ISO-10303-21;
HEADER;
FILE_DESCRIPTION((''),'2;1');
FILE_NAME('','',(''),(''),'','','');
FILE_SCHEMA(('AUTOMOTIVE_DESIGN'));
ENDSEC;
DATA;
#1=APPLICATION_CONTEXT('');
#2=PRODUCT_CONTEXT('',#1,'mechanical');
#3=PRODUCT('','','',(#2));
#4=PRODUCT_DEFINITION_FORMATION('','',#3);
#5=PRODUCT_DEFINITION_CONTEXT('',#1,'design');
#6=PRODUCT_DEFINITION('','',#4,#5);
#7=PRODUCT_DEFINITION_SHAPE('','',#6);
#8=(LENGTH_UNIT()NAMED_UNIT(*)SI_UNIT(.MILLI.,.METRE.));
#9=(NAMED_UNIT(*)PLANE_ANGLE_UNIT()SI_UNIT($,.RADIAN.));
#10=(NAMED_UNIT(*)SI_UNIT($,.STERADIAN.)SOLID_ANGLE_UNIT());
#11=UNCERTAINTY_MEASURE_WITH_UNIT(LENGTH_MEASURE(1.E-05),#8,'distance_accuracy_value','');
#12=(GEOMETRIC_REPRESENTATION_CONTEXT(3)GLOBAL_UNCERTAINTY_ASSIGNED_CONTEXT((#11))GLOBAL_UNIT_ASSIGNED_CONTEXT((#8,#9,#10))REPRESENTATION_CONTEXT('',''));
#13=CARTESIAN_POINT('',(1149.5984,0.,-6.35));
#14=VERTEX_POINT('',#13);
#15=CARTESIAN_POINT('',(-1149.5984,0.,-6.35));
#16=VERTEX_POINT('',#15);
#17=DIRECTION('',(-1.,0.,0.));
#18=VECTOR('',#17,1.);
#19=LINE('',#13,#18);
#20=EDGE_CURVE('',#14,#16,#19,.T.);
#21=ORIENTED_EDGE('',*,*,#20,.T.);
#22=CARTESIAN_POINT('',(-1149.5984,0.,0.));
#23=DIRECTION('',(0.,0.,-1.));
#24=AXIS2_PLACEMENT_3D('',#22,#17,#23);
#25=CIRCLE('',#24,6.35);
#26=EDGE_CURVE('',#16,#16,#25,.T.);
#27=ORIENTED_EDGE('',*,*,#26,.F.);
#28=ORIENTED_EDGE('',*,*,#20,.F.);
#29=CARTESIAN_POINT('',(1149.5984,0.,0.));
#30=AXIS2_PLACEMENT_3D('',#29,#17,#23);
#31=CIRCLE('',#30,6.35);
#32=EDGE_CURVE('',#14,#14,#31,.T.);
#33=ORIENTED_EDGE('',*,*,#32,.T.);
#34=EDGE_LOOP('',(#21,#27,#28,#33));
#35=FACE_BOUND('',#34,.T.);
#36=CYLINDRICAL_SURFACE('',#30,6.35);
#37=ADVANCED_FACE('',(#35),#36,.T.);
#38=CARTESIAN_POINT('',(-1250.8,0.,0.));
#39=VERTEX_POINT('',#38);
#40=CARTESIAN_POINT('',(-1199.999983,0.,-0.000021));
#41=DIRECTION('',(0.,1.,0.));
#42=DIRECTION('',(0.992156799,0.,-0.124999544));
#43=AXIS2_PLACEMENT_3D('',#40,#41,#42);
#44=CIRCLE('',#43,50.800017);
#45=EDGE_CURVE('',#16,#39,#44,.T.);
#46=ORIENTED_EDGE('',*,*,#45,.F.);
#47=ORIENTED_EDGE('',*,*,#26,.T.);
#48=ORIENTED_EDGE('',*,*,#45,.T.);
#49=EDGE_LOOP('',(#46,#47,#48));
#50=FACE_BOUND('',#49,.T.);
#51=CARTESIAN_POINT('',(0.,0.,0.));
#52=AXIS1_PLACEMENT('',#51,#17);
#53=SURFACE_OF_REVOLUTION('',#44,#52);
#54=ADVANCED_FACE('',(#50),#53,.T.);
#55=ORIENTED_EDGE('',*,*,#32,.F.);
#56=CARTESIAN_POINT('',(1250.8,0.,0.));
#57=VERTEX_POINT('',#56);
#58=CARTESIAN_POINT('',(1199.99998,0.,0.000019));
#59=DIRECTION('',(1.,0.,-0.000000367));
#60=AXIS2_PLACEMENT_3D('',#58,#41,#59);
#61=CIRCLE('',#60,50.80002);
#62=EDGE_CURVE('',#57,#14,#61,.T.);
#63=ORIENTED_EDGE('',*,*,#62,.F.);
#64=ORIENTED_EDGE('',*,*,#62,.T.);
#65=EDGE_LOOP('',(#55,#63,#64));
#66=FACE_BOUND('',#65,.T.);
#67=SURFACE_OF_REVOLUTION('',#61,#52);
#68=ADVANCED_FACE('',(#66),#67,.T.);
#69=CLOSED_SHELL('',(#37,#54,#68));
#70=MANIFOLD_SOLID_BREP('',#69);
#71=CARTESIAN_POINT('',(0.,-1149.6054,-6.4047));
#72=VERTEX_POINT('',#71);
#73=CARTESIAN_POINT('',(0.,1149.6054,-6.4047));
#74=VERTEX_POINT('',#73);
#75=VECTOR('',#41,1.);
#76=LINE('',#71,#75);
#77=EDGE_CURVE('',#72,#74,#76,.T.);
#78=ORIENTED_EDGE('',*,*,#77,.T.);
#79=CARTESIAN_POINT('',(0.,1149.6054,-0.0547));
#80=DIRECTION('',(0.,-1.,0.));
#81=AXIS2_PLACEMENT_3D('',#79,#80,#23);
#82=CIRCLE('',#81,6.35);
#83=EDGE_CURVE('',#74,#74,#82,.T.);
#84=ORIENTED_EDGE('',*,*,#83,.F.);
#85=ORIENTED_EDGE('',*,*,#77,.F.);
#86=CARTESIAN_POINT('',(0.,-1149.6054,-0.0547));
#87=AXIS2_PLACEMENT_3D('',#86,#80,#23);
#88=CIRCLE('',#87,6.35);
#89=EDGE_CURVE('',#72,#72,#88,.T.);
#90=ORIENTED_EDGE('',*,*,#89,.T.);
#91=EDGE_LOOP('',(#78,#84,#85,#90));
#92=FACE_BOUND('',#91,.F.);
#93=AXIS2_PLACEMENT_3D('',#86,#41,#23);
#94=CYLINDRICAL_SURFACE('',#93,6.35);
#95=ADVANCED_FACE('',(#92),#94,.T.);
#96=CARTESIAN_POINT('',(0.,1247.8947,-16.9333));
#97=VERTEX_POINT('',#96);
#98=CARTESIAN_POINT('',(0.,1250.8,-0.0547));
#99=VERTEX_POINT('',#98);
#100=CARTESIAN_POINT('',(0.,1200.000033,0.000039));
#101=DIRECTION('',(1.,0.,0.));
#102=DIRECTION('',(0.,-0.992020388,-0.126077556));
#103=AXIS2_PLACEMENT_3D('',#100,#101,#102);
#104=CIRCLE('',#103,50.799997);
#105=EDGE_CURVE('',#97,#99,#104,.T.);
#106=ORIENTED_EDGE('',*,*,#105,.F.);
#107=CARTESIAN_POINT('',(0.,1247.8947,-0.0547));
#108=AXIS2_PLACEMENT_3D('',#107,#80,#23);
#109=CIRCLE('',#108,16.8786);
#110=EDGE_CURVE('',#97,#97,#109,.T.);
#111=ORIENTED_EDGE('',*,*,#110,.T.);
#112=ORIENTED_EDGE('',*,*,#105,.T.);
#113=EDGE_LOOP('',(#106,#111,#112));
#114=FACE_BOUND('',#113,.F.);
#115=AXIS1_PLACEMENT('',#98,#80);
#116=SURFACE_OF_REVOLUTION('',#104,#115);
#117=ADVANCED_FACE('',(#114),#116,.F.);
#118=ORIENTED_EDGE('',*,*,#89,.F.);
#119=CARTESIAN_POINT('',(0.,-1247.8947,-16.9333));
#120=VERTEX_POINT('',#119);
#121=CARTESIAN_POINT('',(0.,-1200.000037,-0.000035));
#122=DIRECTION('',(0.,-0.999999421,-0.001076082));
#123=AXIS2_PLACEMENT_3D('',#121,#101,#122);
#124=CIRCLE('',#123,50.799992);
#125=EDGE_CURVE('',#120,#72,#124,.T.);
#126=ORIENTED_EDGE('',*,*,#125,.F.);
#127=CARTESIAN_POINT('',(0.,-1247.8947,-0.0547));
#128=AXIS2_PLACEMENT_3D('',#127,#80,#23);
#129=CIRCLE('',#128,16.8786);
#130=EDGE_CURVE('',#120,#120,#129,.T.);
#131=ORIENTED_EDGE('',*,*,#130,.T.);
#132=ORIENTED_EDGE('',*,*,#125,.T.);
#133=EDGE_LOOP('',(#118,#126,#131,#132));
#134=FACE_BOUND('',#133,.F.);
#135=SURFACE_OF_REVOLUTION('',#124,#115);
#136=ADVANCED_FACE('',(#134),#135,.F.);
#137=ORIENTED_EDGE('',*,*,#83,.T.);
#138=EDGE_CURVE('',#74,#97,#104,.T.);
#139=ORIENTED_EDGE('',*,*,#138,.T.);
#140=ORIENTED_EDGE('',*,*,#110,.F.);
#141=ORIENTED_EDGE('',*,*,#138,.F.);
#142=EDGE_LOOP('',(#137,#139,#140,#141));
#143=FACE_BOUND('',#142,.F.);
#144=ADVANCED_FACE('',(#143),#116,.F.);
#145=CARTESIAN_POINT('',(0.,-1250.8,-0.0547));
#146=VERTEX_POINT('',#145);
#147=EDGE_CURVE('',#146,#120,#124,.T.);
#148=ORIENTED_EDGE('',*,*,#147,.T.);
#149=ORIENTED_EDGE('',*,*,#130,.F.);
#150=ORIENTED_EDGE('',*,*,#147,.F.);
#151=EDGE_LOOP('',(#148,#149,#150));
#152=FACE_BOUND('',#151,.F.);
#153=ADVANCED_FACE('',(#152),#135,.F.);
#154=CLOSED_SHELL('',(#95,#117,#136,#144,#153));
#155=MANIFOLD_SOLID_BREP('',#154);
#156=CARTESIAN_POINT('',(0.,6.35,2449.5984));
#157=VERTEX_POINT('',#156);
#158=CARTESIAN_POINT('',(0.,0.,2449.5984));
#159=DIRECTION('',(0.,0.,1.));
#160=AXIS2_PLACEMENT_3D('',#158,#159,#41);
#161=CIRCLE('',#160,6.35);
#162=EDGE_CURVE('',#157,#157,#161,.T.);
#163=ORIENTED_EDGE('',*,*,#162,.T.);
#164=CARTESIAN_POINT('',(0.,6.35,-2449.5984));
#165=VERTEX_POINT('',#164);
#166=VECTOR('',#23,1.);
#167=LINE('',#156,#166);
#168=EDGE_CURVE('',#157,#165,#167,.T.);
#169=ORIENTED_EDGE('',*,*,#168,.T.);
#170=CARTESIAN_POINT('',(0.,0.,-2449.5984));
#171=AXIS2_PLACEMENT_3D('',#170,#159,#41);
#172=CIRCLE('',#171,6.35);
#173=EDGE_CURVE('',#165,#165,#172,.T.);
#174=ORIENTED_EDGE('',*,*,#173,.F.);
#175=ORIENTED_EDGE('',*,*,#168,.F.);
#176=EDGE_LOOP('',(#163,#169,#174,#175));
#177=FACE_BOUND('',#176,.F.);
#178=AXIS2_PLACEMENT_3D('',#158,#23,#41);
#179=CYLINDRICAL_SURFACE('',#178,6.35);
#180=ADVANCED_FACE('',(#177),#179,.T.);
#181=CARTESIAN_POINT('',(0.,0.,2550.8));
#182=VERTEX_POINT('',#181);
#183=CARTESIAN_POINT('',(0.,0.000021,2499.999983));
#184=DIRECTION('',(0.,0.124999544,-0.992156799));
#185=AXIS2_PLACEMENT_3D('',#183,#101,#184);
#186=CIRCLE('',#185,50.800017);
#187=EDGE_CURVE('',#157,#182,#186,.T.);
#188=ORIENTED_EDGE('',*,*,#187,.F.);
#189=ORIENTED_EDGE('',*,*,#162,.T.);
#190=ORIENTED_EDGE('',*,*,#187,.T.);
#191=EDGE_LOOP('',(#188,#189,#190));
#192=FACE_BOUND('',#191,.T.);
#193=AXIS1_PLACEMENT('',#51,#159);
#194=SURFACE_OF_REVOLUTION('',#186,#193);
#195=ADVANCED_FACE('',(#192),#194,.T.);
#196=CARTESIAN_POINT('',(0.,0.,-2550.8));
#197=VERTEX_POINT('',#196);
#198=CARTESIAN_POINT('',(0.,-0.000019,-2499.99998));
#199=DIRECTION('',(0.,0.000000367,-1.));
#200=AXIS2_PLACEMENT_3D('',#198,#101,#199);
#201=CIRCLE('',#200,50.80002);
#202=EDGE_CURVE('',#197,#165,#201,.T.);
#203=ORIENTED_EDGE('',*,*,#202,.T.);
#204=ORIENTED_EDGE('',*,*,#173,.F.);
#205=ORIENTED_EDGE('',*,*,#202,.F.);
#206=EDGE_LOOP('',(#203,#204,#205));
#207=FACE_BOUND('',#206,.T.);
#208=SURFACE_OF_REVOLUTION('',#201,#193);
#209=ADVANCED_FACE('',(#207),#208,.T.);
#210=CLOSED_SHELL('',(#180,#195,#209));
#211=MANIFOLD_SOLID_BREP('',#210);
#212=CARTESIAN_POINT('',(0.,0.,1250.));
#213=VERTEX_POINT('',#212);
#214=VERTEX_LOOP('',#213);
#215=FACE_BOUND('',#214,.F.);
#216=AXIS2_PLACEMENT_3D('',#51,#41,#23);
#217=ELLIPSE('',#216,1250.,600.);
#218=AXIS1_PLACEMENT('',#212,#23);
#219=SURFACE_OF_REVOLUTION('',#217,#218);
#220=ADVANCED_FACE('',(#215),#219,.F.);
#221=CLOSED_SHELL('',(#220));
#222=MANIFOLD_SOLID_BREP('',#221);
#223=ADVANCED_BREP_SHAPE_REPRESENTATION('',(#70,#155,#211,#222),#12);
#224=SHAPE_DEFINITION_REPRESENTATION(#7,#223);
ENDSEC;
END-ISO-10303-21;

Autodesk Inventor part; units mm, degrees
ref_plane "YZ Plane" through (0, 0, 0) normal (1, 0, 0) x (0, 1, 0)
ref_plane "XZ Plane" through (0, 0, 0) normal (0, 1, 0) x (-1, 0, 0)
ref_plane "XY Plane" through (0, 0, 0) normal (0, 0, 1) x (1, 0, 0)
sketch "Sketch1" plane through (0, 0, 0) normal (0, 1, 0) x (-1, 0, 0)
  ellipse E0 centre (0, 0) end of major axis (0, -1250) minor radius 600 (0, -1250) -> (0, 1250) ccw
  line L0 (0, 1250) -> (0, -1250)
  dimension "d0" = 600
  dimension "d1" = 1250
revolve "Revolution1" add sketch "Sketch1" angle 360 about axis through (0, 0, 1250) along (0, 0, -1)
sketch "Sketch2" plane through (0, 0, 0) normal (0, 1, 0) x (-1, 0, 0)
  ellipse E0 centre (0, 0) end of major axis (0, -1250) minor radius 600 (0, -1250) -> (0, 1250) ccw projected
  ellipse E1 centre (0, 0) end of major axis (0, -1239.7967) minor radius 616.7196 (0, -1239.7967) -> (0, 1239.7967) ccw
  line L0 (0, -1239.7967) -> (0, -1250)
  line L1 (0, 1239.7967) -> (0, 1250)
extrude "Extrusion1" [suppressed]
mirror "Mirror1" [suppressed]
sketch "Sketch3" plane through (0, 0, 0) normal (0, 0, 1) x (1, 0, 0)
  circle A0 centre (0, 0) radius 1009.9169
  circle A1 centre (0, 0) radius 989.7967
extrude "Extrusion2" [suppressed]
sketch "Sketch4" plane through (0, 0, 0) normal (1, 0, 0) x (0, 1, 0)
  line L0 (-5.0643, -10.1808) -> (0, 0) projected
  ellipse E0 centre (0, 0) end of major axis (0, -2003.4356) minor radius 1000.6503
  line L1 (-12.7, -1989.7967) -> (-12.7, -12.7) projected
  ellipse E1 centre (0, 0) end of major axis (0, -1992.4459) minor radius 989.6605
  point P0 (0, -12.7)
extrude "Extrusion3" [suppressed]
sketch "Sketch5" plane through (0, 0, 0) normal (0, 1, 0) x (-1, 0, 0)
  line L0 (0, 0) -> (-1200, 0)
  line L1 (0, 0) -> (1200, 0)
  line L2 (1200, 0) -> (-1200, 0)
  line L3 (-1200, 0) -> (-1200, -12.7)
  line L4 (-1149.5984, -6.35) -> (1149.5984, -6.35)
  line L5 (1200, -12.7) -> (1200, 0)
  arc A0 (1149.5984, -6.35) -> (1250.8, 0) centre (1200, 0) ccw
  arc A1 (-1250.8, 0) -> (-1149.5984, -6.35) centre (-1200, 0) ccw
  line L6 (-1200, 0) -> (-1250.8, 0)
  line L7 (1200, 0) -> (1250.8, 0)
  dimension "d9" = 1200
  dimension "d10" = 1200
  dimension "d11" = 6.35
  dimension "d12" = 101.6
  dimension "d13" = 101.6
revolve "Revolution2" add sketch "Sketch5" angle 360 about axis through (0, 0, 0) along (-1, 0, 0) separate body
sketch "Sketch6" plane through (0, 0, 0) normal (1, 0, 0) x (0, 1, 0)
  circle A0 centre (0, 0) radius 6.35 projected
  line L0 (0, 0) -> (0, 2500)
  line L1 (0, 0) -> (0, -2500)
  line L2 (0, 2500) -> (12.7, 2500)
  line L3 (6.35, 2449.5984) -> (6.35, -2449.5984)
  line L4 (6.35, -2500) -> (0, -2500)
  line L5 (0, -2500) -> (0, 2500)
  arc A1 (6.35, 2449.5984) -> (0, 2550.8) centre (0, 2500) ccw
  arc A2 (0, -2550.8) -> (6.35, -2449.5984) centre (0, -2500) ccw
  line L6 (0, -2500) -> (0, -2550.8)
  line L7 (0, 2500) -> (0, 2550.8)
  dimension "d15" = 2500
  dimension "d16" = 2500
  dimension "d17" = 6.35
  dimension "d18" = 101.6
  dimension "d19" = 101.6
  dimension "d27" = 6.35
revolve "Revolution3" add sketch "Sketch6" angle 360 about axis through (0, 0, 0) along (0, 0, 1) separate body picked at (4.1803, -0.471) contours A0 L1 L0 | L3 A2 L6 L1 A0 | A0 L0 L7 A1 L3
sketch "Sketch7" plane through (0, 0, 0) normal (1, 0, 0) x (0, 1, 0)
  line L0 (0, 0) -> (1200, 0)
  line L1 (0, 0) -> (-1200, 0)
  arc A0 (-1250.8, -0.0547) -> (-1149.6054, -6.4047) centre (-1200, 0) ccw
  arc A1 (1149.6054, -6.4047) -> (1250.8, -0.0547) centre (1200, 0) ccw
  line L2 (1250.8, -0.0547) -> (-1250.8, -0.0547)
  line L3 (-1250.0737, -16.9333) -> (-1247.8947, -16.9333)
  line L4 (-1149.6054, -6.4047) -> (1149.6054, -6.4047)
  line L5 (1247.8947, -16.9333) -> (1250.0737, -16.9333)
  dimension "d21" = 1200
  dimension "d22" = 1200
  dimension "d23" = 101.6
  dimension "d24" = 101.6
  dimension "d28" = 6.35
revolve "Revolution4" add sketch "Sketch7" angle 360 about axis through (0, 1250.8, -0.0547) along (0, -1, 0) separate body
properties part number "ellipse1"
